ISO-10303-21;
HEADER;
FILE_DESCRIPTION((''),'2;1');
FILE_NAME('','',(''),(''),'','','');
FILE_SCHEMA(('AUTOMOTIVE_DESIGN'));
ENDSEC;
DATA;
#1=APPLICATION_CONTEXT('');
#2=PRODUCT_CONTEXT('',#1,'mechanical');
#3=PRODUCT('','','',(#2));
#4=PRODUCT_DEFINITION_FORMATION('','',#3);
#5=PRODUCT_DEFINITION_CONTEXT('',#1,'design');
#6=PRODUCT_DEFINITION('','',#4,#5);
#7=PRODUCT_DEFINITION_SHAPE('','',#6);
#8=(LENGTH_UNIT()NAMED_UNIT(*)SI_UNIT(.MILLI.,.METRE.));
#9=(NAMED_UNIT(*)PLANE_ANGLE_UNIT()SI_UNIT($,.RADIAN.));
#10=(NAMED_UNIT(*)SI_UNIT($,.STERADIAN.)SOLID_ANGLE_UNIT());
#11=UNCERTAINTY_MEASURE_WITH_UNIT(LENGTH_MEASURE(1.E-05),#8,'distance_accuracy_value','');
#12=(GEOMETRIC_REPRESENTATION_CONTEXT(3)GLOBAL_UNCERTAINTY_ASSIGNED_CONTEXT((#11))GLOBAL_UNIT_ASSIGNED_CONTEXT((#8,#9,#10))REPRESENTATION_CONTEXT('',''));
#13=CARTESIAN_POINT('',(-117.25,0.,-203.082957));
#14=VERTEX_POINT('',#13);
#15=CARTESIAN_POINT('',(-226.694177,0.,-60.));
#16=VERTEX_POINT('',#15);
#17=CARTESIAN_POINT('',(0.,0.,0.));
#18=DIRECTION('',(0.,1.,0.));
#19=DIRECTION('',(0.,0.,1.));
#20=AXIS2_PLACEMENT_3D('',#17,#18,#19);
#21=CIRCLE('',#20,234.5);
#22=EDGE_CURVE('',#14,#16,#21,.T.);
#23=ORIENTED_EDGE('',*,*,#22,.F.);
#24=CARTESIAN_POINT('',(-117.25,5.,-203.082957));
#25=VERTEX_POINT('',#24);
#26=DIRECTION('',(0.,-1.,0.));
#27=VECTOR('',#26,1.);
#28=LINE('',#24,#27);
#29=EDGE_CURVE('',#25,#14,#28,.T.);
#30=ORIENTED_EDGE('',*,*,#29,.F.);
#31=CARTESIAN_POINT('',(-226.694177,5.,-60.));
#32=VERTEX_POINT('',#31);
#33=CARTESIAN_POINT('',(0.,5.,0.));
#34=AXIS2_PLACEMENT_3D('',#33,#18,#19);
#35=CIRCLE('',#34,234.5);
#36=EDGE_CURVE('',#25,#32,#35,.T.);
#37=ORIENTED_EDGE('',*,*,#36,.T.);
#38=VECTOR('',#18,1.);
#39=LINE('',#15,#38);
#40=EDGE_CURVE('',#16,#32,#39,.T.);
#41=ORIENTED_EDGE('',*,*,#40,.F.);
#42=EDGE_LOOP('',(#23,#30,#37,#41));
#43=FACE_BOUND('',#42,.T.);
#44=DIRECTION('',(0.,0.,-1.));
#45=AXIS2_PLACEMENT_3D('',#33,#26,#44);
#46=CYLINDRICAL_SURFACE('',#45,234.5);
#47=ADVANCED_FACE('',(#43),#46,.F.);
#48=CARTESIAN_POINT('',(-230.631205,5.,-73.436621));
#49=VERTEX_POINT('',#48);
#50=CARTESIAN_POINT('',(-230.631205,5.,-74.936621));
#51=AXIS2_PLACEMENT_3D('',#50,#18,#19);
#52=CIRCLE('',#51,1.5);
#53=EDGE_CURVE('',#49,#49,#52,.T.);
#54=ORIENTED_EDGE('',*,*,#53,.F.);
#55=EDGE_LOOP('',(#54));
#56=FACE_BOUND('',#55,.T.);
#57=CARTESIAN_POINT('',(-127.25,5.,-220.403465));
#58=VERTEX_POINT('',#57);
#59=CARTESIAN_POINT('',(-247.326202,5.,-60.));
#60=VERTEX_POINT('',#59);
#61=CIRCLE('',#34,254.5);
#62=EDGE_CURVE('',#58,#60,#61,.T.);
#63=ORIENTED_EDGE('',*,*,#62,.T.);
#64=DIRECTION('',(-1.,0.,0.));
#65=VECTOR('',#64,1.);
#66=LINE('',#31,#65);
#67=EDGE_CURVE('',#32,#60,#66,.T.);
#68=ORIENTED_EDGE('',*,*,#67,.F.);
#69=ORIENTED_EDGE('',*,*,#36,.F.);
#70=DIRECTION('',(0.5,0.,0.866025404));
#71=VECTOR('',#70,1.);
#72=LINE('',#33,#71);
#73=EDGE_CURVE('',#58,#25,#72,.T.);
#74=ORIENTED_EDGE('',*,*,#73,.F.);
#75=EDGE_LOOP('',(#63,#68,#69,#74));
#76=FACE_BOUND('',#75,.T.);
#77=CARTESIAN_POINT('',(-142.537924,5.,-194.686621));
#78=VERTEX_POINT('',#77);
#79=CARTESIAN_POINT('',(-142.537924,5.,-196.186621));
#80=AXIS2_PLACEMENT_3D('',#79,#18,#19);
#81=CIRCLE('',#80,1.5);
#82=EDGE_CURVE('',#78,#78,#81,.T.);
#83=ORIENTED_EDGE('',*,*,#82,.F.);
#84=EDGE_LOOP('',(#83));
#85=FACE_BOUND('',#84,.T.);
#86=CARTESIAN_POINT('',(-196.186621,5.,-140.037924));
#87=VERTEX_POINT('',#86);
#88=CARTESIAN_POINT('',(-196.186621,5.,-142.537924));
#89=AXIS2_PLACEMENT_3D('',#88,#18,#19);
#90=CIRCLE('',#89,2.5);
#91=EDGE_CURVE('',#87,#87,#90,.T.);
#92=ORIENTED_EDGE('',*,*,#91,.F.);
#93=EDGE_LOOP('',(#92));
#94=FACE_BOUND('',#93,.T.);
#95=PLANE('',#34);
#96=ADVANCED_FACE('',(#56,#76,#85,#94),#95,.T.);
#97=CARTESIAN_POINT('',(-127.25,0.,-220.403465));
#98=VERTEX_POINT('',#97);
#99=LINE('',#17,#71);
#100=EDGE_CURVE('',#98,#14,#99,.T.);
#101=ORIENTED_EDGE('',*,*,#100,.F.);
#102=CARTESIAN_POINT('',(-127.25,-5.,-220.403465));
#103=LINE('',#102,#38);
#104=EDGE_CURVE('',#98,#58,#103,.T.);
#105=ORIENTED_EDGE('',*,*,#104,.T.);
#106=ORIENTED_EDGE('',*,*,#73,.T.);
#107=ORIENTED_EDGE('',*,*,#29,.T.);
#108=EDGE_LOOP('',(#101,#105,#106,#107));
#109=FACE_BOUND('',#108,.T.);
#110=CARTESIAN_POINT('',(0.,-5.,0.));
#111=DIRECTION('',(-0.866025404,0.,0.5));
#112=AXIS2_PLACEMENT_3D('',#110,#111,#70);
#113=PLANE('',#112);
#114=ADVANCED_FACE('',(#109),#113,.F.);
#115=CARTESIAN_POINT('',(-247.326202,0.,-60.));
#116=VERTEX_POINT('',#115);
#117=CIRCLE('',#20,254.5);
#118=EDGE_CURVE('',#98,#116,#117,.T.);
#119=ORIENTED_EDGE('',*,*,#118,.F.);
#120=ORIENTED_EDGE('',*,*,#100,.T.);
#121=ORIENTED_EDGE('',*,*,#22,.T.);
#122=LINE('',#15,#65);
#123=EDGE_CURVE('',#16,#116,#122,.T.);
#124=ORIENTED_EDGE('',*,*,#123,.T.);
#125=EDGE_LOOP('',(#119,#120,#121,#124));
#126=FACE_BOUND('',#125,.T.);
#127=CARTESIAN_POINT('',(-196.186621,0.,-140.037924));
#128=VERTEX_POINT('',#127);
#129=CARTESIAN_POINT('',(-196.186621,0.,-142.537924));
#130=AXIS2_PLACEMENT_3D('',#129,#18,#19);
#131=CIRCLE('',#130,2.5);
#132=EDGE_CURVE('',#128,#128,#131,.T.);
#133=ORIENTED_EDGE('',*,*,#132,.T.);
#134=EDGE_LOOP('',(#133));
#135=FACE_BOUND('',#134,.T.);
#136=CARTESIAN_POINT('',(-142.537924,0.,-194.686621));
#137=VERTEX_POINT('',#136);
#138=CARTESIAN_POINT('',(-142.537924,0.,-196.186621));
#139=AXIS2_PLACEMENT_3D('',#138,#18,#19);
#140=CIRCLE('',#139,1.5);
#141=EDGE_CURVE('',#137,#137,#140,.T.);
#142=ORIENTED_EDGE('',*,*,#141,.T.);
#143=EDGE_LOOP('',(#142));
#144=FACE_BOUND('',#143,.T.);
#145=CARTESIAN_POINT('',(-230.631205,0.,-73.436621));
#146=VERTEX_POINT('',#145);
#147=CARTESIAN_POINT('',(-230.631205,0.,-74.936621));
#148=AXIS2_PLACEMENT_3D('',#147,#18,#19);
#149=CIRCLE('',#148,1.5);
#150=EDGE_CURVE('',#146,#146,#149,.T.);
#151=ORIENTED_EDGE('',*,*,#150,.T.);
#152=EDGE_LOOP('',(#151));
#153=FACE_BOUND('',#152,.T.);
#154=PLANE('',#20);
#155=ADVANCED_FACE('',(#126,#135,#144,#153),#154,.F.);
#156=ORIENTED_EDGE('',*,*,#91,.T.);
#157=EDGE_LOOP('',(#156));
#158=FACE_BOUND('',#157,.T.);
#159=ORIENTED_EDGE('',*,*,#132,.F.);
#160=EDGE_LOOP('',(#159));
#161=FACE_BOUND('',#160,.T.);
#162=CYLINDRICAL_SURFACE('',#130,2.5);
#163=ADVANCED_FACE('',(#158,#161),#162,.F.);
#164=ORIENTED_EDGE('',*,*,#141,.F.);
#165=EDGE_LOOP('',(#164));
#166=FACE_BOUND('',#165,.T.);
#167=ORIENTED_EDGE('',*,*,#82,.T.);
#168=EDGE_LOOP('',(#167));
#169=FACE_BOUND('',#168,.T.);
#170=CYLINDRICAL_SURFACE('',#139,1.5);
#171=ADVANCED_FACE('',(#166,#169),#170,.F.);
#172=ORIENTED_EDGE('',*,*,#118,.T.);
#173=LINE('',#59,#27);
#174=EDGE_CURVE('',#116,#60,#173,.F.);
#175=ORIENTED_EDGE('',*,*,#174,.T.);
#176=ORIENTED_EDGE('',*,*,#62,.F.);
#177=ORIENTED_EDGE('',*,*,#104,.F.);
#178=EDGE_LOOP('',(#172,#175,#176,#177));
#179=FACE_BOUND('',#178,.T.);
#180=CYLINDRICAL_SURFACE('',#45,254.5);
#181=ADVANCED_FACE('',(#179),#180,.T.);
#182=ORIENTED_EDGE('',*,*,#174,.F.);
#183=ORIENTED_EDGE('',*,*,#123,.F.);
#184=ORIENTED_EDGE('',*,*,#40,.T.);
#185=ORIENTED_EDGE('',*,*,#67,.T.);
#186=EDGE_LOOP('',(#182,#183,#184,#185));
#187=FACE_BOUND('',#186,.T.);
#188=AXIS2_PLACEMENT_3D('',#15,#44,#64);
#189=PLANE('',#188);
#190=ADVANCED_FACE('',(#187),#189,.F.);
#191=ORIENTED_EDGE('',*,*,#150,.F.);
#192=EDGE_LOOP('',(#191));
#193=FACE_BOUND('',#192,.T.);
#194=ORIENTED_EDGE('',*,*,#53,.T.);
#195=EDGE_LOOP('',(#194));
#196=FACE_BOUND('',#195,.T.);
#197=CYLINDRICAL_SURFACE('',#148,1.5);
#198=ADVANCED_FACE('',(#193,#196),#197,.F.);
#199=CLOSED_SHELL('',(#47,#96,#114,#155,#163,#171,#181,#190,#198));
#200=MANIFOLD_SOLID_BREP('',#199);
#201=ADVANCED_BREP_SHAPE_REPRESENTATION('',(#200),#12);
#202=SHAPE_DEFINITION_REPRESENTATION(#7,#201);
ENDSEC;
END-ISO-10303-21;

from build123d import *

# Parameters (mm, degrees)
SKETCH1_R           = 254.5
SKETCH1_R_2         = 234.5
BOSS_EXTRUDE1_DEPTH = 5
SKETCH2_W           = 27.805822748
SKETCH2_H           = 60
CUT_EXTRUDE1_DEPTH  = 5
SKETCH3_R           = 2.5
CUT_EXTRUDE2_DEPTH  = 5
SKETCH4_R           = 1.5
CUT_EXTRUDE3_DEPTH  = 5
SKETCH5_W           = 651.212620435
SKETCH5_H           = 357.226439325
CUT_EXTRUDE4_DEPTH  = 10
CUT_EXTRUDE5_START  = -10
CUT_EXTRUDE5_DEPTH  = 10


with BuildPart() as part:
    # Sketch1 → Boss-Extrude1 (new body)
    with BuildSketch(Plane(origin=(0, 0, 0), x_dir=(1, 0, 0), z_dir=(0, 1, 0))):
        with Locations(Location((0, 0, 0), (0, 0, 270))):
            Circle(SKETCH1_R)
        with Locations(Location((0, 0, 0), (0, 0, 270))):
            Circle(SKETCH1_R_2, mode=Mode.SUBTRACT)
    extrude(amount=BOSS_EXTRUDE1_DEPTH)

    # Sketch2 → Cut-Extrude1 (cut)
    with BuildSketch(Plane(origin=(0, 5, 0), x_dir=(1, 0, 0), z_dir=(0, 1, 0))):
        with Locations((-240.597088626, 30)):
            Rectangle(SKETCH2_W, SKETCH2_H)
    cut_extrude1 = extrude(amount=-CUT_EXTRUDE1_DEPTH, mode=Mode.SUBTRACT)

    # Mirror1: Cut-Extrude1 across plane
    add(cut_extrude1.mirror(Plane.XY), mode=Mode.SUBTRACT)

    # Sketch3 → Cut-Extrude2 (cut)
    with BuildSketch(Plane(origin=(0, 5, 0), x_dir=(1, 0, 0), z_dir=(0, 1, 0))):
        with Locations(Location((242.5, 0, 0), (0, 0, 270))):
            Circle(SKETCH3_R)
        with Locations(Location((196.186621136, -142.537923681, 0), (0, 0, 270))):
            Circle(SKETCH3_R)
        with Locations(Location((74.936621136, -230.631205202, 0), (0, 0, 270))):
            Circle(SKETCH3_R)
        with Locations(Location((-74.936621136, -230.631205202, 0), (0, 0, 270))):
            Circle(SKETCH3_R)
        with Locations(Location((-196.186621136, -142.537923681, 0), (0, 0, 270))):
            Circle(SKETCH3_R)
        with Locations((-242.5, 0)):
            Circle(SKETCH3_R)
        with Locations(Location((-196.186621136, 142.537923681, 0), (0, 0, 270))):
            Circle(SKETCH3_R)
        with Locations(Location((-74.936621136, 230.631205202, 0), (0, 0, 270))):
            Circle(SKETCH3_R)
        with Locations(Location((74.936621136, 230.631205202, 0), (0, 0, 270))):
            Circle(SKETCH3_R)
        with Locations(Location((196.186621136, 142.537923681, 0), (0, 0, 270))):
            Circle(SKETCH3_R)
    extrude(amount=-CUT_EXTRUDE2_DEPTH, mode=Mode.SUBTRACT)

    # Sketch4 → Cut-Extrude3 (cut)
    with BuildSketch(Plane(origin=(0, 5, 0), x_dir=(1, 0, 0), z_dir=(0, 1, 0))):
        with Locations(Location((0, -242.5, 0), (0, 0, 270))):
            Circle(SKETCH4_R)
        with Locations(Location((-142.537923681, -196.186621136, 0), (0, 0, 270))):
            Circle(SKETCH4_R)
        with Locations(Location((-230.631205202, -74.936621136, 0), (0, 0, 270))):
            Circle(SKETCH4_R)
        with Locations(Location((-230.631205202, 74.936621136, 0), (0, 0, 270))):
            Circle(SKETCH4_R)
        with Locations(Location((-142.537923681, 196.186621136, 0), (0, 0, 270))):
            Circle(SKETCH4_R)
        with Locations(Location((0, 242.5, 0), (0, 0, 270))):
            Circle(SKETCH4_R)
        with Locations(Location((142.537923681, 196.186621136, 0), (0, 0, 270))):
            Circle(SKETCH4_R)
        with Locations(Location((230.631205202, 74.936621136, 0), (0, 0, 270))):
            Circle(SKETCH4_R)
        with Locations(Location((230.631205202, -74.936621136, 0), (0, 0, 270))):
            Circle(SKETCH4_R)
        with Locations(Location((142.537923681, -196.186621136, 0), (0, 0, 270))):
            Circle(SKETCH4_R)
    extrude(amount=-CUT_EXTRUDE3_DEPTH, mode=Mode.SUBTRACT)

    # Sketch5 → Cut-Extrude4 (cut)
    with BuildSketch(Plane(origin=(0, 5, 0), x_dir=(1, 0, 0), z_dir=(0, 1, 0))):
        with Locations((-71.106310217, -178.613219663)):
            Rectangle(SKETCH5_W, SKETCH5_H)
    extrude(amount=-CUT_EXTRUDE4_DEPTH, mode=Mode.SUBTRACT)

    # Sketch6 → Cut-Extrude5 (cut)
    with BuildSketch(Plane(origin=(0, 5, 0), x_dir=(1, 0, 0), z_dir=(0, 1, 0)).offset(CUT_EXTRUDE5_START)):
        with BuildLine():
            Line((254.5, 0), (0, 0))
            Line((0, 0), (-127.25, 220.403465263))
            ThreePointArc((-127.25, 220.403465263), (127.25, 220.403465263), (254.5, 0))
        make_face()
    extrude(amount=CUT_EXTRUDE5_DEPTH, mode=Mode.SUBTRACT)


solid = part.part
